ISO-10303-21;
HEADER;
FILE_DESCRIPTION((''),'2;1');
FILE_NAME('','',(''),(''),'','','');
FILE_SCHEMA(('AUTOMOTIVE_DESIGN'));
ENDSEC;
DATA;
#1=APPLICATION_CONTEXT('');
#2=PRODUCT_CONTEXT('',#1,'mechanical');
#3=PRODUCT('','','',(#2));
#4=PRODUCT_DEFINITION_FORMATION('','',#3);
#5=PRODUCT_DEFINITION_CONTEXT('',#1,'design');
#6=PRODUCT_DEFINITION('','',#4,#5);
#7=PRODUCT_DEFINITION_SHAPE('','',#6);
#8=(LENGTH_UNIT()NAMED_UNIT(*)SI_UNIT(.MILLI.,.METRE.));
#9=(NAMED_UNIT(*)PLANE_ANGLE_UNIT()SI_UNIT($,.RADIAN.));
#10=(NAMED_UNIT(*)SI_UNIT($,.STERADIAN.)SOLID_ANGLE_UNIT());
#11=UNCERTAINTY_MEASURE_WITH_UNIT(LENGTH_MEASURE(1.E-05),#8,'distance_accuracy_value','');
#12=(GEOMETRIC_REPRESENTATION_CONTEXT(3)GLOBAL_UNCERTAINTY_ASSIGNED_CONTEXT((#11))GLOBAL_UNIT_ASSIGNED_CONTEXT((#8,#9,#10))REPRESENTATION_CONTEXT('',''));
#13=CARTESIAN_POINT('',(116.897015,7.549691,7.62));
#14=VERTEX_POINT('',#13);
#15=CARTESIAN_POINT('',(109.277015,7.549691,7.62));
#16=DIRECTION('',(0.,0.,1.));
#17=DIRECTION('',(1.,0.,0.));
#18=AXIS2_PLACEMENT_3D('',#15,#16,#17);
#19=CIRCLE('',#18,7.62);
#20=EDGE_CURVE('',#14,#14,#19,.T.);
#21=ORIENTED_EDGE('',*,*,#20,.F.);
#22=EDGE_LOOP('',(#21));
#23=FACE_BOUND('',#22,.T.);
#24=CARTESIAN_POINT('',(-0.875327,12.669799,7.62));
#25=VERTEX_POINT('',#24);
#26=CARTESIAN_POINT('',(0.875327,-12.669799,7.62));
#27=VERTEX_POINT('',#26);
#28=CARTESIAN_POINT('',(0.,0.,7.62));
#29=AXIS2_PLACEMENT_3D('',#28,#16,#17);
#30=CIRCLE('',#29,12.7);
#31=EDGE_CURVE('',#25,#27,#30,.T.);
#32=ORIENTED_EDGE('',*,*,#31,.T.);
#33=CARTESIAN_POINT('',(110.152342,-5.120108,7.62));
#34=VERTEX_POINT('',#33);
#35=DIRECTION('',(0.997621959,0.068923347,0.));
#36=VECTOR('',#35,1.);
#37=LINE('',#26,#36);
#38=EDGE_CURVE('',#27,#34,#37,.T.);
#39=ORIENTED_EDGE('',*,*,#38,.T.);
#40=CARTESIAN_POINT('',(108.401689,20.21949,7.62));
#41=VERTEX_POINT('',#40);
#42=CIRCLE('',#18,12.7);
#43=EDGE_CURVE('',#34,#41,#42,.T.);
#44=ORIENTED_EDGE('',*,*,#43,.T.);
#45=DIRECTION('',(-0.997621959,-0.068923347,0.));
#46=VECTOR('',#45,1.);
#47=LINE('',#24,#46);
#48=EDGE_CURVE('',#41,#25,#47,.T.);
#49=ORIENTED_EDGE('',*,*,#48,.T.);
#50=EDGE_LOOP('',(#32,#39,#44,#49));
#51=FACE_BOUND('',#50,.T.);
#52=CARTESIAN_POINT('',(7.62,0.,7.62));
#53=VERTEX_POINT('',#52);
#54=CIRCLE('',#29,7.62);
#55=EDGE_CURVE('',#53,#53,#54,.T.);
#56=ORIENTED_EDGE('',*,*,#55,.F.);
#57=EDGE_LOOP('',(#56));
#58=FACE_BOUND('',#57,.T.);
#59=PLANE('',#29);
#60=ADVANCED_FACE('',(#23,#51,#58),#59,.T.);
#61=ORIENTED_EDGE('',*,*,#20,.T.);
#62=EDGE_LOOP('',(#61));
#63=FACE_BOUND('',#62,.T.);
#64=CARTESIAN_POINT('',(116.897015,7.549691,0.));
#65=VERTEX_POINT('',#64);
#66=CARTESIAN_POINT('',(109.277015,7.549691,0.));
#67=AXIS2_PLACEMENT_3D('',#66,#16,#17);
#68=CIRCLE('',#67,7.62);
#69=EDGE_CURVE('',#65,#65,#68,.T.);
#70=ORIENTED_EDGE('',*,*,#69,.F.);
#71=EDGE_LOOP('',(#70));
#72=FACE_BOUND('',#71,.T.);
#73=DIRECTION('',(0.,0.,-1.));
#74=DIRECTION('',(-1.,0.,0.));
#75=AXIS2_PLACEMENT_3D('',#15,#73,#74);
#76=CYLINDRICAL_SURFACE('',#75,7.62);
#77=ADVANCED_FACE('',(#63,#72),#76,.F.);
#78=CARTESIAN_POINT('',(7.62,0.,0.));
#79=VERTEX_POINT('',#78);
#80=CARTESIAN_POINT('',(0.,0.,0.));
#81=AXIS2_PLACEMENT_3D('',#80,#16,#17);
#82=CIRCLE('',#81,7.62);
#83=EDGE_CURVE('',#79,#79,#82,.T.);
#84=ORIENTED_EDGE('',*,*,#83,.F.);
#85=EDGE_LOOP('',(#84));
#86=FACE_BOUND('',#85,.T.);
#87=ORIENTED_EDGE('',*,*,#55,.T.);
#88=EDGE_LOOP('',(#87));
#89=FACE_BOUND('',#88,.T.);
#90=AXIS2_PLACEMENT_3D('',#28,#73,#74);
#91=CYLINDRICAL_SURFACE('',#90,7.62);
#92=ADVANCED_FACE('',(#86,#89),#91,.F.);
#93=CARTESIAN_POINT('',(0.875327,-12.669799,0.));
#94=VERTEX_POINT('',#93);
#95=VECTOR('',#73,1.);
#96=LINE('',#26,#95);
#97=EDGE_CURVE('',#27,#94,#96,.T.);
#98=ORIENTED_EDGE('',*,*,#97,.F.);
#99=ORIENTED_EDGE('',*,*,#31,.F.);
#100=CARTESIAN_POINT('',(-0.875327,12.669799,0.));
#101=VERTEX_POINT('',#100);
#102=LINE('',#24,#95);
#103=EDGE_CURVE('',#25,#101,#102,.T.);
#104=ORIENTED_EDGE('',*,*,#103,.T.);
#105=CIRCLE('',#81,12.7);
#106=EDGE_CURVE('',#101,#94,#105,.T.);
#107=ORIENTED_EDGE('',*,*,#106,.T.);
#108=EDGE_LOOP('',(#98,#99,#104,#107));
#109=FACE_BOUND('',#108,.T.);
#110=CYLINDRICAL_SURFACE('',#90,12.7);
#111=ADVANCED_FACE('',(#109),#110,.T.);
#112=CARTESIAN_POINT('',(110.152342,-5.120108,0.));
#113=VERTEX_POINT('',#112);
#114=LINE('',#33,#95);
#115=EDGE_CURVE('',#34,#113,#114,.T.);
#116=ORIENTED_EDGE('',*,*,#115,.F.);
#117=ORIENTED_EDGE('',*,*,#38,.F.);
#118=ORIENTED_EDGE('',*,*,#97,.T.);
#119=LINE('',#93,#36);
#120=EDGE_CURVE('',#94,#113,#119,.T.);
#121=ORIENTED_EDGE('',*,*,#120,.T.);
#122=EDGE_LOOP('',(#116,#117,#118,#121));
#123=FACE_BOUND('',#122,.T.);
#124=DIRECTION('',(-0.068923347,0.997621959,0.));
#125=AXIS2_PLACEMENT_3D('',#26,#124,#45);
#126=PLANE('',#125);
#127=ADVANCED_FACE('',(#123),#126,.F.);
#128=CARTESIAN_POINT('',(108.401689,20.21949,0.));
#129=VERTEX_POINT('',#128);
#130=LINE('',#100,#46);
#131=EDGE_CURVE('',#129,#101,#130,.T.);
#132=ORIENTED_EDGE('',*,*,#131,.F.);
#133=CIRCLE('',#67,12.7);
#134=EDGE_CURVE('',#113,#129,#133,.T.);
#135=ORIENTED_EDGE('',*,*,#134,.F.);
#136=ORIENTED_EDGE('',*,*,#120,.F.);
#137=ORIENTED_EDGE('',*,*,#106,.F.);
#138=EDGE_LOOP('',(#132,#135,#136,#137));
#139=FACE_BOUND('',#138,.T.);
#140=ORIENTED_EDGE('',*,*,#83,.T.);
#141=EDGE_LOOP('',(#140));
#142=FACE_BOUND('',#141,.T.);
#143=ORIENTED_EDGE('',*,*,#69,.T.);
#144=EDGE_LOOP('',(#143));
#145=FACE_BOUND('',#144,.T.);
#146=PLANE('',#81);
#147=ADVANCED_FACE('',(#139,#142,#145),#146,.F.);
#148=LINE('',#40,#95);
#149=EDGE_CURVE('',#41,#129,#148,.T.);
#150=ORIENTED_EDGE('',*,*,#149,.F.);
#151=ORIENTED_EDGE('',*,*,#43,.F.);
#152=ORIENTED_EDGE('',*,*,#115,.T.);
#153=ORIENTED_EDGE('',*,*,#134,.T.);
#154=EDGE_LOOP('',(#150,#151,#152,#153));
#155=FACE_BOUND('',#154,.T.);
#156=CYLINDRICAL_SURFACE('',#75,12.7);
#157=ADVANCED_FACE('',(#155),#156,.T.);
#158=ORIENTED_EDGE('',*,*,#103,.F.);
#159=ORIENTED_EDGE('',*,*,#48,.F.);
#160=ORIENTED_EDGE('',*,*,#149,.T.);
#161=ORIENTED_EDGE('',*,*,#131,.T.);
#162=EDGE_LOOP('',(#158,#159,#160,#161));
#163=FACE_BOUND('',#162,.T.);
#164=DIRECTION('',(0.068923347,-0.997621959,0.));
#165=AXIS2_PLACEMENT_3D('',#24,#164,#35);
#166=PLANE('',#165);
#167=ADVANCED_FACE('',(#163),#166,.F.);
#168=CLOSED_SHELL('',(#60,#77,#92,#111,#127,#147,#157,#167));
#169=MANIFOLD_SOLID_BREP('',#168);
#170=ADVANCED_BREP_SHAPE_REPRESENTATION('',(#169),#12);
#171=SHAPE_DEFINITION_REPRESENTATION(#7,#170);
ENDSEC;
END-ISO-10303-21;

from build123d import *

# Parameters (mm, degrees)
SKETCH2_R           = 7.62
BOSS_EXTRUDE1_DEPTH = 7.62


with BuildPart() as part:
    # Sketch2 → Boss-Extrude1 (new body)
    with BuildSketch(Plane.XY):
        with BuildLine():
            Line((-0.875326504, 12.669798874), (108.401688786, 20.219489971))
            ThreePointArc((108.401688786, 20.219489971), (121.946814164, 8.425017601), (110.152341794, -5.120107777))
            Line((110.152341794, -5.120107777), (0.875326504, -12.669798874))
            ThreePointArc((0.875326504, -12.669798874), (-12.669798874, -0.875326504), (-0.875326504, 12.669798874))
        make_face()
        Circle(SKETCH2_R, mode=Mode.SUBTRACT)
        with Locations((109.27701529, 7.549691097)):
            Circle(SKETCH2_R, mode=Mode.SUBTRACT)
    extrude(amount=BOSS_EXTRUDE1_DEPTH)


solid = part.part
